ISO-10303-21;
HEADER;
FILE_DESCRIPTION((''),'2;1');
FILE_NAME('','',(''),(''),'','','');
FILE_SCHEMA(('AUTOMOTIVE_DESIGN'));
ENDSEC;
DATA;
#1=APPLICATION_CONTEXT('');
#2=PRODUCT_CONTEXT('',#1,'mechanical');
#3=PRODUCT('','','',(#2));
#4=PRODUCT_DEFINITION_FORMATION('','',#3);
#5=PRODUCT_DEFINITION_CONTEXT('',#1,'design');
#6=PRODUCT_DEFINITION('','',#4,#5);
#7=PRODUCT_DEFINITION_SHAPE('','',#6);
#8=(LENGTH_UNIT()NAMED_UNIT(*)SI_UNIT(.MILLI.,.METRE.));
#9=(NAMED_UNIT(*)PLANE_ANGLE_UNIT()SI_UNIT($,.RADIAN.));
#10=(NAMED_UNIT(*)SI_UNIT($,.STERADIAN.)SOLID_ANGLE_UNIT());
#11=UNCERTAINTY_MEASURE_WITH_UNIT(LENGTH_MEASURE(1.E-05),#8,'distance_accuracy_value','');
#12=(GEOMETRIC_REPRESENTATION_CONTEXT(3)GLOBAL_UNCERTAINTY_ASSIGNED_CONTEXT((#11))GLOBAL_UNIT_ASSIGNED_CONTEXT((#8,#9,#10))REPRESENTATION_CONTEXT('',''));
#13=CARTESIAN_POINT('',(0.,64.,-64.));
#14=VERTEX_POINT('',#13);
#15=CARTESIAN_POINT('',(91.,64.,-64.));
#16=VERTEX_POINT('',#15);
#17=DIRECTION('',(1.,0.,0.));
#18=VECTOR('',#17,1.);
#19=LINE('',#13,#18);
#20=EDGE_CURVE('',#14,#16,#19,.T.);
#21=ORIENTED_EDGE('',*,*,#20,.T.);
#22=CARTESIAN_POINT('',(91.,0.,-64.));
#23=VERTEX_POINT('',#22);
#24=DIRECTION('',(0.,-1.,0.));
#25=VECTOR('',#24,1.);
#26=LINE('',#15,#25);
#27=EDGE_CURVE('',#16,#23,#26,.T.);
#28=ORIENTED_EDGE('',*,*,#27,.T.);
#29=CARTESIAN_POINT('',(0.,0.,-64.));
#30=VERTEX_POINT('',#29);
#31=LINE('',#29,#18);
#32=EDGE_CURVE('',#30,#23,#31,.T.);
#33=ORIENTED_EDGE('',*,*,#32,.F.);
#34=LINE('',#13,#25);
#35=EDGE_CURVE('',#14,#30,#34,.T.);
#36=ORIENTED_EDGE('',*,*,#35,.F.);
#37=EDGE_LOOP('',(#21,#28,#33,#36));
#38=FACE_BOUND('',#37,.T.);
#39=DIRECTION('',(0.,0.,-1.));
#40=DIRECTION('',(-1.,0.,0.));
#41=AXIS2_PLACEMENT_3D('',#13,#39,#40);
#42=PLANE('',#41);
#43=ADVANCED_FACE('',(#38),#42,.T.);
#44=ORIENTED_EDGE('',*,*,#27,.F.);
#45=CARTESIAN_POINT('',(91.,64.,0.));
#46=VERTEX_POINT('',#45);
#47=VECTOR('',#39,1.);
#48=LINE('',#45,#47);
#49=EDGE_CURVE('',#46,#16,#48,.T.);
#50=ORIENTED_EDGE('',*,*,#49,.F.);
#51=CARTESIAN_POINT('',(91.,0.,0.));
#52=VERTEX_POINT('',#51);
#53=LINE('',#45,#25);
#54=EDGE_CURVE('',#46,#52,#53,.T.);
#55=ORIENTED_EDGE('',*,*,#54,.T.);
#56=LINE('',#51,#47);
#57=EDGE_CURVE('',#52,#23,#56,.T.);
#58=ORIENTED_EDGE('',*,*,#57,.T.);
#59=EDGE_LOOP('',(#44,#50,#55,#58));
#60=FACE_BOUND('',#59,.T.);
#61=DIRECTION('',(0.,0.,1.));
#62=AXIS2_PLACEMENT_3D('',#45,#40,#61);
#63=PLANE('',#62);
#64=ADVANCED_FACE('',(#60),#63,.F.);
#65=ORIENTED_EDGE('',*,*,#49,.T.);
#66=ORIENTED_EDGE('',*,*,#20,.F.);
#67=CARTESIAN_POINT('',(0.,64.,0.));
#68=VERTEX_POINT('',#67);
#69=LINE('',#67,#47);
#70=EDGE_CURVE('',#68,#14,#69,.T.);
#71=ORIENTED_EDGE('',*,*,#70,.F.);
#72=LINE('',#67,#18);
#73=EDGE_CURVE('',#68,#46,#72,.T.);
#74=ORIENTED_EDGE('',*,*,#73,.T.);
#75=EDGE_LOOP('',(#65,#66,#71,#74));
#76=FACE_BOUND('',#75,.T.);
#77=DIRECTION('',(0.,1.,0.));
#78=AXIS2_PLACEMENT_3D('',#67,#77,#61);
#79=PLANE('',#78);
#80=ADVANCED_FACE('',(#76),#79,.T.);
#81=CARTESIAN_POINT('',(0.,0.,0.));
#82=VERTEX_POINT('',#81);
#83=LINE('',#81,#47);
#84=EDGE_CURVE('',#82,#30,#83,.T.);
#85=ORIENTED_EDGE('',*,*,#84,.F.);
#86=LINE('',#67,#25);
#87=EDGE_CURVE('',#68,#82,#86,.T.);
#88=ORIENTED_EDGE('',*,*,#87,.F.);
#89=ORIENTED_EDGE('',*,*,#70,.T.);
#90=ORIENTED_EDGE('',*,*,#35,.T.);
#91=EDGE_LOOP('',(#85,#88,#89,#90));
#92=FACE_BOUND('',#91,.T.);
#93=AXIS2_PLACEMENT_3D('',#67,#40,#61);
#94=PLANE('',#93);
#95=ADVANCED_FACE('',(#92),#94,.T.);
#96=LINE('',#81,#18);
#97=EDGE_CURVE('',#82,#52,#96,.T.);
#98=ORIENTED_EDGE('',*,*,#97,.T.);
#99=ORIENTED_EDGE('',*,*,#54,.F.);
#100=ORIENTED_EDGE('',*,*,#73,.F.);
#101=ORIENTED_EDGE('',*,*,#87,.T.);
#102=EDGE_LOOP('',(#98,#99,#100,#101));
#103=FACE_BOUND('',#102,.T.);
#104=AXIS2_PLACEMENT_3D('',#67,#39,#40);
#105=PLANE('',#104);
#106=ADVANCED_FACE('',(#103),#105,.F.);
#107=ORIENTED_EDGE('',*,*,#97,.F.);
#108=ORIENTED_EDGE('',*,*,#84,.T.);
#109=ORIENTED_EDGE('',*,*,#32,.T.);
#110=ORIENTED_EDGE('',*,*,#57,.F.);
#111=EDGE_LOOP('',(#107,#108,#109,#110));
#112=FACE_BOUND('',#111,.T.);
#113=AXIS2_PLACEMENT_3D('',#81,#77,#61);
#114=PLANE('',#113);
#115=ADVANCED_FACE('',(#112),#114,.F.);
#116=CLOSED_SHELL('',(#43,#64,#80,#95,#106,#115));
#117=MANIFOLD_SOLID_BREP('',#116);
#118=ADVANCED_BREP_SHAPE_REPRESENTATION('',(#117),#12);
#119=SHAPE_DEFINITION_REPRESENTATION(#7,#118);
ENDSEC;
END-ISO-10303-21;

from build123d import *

# Parameters (mm, degrees)
SKETCH3_W           = 19
SKETCH3_H           = 64
SKETCH3_W_2         = 72
BOSS_EXTRUDE1_DEPTH = 64


with BuildPart() as part:
    # Sketch3 → Boss-Extrude1 (new body)
    with BuildSketch(Plane(origin=(0, 0, 0), x_dir=(1, 0, 0), z_dir=(0, 1, 0))):
        with Locations((81.5, 32)):
            Rectangle(SKETCH3_W, SKETCH3_H)
        with Locations((36, 32)):
            Rectangle(SKETCH3_W_2, SKETCH3_H)
    extrude(amount=BOSS_EXTRUDE1_DEPTH)


solid = part.part
